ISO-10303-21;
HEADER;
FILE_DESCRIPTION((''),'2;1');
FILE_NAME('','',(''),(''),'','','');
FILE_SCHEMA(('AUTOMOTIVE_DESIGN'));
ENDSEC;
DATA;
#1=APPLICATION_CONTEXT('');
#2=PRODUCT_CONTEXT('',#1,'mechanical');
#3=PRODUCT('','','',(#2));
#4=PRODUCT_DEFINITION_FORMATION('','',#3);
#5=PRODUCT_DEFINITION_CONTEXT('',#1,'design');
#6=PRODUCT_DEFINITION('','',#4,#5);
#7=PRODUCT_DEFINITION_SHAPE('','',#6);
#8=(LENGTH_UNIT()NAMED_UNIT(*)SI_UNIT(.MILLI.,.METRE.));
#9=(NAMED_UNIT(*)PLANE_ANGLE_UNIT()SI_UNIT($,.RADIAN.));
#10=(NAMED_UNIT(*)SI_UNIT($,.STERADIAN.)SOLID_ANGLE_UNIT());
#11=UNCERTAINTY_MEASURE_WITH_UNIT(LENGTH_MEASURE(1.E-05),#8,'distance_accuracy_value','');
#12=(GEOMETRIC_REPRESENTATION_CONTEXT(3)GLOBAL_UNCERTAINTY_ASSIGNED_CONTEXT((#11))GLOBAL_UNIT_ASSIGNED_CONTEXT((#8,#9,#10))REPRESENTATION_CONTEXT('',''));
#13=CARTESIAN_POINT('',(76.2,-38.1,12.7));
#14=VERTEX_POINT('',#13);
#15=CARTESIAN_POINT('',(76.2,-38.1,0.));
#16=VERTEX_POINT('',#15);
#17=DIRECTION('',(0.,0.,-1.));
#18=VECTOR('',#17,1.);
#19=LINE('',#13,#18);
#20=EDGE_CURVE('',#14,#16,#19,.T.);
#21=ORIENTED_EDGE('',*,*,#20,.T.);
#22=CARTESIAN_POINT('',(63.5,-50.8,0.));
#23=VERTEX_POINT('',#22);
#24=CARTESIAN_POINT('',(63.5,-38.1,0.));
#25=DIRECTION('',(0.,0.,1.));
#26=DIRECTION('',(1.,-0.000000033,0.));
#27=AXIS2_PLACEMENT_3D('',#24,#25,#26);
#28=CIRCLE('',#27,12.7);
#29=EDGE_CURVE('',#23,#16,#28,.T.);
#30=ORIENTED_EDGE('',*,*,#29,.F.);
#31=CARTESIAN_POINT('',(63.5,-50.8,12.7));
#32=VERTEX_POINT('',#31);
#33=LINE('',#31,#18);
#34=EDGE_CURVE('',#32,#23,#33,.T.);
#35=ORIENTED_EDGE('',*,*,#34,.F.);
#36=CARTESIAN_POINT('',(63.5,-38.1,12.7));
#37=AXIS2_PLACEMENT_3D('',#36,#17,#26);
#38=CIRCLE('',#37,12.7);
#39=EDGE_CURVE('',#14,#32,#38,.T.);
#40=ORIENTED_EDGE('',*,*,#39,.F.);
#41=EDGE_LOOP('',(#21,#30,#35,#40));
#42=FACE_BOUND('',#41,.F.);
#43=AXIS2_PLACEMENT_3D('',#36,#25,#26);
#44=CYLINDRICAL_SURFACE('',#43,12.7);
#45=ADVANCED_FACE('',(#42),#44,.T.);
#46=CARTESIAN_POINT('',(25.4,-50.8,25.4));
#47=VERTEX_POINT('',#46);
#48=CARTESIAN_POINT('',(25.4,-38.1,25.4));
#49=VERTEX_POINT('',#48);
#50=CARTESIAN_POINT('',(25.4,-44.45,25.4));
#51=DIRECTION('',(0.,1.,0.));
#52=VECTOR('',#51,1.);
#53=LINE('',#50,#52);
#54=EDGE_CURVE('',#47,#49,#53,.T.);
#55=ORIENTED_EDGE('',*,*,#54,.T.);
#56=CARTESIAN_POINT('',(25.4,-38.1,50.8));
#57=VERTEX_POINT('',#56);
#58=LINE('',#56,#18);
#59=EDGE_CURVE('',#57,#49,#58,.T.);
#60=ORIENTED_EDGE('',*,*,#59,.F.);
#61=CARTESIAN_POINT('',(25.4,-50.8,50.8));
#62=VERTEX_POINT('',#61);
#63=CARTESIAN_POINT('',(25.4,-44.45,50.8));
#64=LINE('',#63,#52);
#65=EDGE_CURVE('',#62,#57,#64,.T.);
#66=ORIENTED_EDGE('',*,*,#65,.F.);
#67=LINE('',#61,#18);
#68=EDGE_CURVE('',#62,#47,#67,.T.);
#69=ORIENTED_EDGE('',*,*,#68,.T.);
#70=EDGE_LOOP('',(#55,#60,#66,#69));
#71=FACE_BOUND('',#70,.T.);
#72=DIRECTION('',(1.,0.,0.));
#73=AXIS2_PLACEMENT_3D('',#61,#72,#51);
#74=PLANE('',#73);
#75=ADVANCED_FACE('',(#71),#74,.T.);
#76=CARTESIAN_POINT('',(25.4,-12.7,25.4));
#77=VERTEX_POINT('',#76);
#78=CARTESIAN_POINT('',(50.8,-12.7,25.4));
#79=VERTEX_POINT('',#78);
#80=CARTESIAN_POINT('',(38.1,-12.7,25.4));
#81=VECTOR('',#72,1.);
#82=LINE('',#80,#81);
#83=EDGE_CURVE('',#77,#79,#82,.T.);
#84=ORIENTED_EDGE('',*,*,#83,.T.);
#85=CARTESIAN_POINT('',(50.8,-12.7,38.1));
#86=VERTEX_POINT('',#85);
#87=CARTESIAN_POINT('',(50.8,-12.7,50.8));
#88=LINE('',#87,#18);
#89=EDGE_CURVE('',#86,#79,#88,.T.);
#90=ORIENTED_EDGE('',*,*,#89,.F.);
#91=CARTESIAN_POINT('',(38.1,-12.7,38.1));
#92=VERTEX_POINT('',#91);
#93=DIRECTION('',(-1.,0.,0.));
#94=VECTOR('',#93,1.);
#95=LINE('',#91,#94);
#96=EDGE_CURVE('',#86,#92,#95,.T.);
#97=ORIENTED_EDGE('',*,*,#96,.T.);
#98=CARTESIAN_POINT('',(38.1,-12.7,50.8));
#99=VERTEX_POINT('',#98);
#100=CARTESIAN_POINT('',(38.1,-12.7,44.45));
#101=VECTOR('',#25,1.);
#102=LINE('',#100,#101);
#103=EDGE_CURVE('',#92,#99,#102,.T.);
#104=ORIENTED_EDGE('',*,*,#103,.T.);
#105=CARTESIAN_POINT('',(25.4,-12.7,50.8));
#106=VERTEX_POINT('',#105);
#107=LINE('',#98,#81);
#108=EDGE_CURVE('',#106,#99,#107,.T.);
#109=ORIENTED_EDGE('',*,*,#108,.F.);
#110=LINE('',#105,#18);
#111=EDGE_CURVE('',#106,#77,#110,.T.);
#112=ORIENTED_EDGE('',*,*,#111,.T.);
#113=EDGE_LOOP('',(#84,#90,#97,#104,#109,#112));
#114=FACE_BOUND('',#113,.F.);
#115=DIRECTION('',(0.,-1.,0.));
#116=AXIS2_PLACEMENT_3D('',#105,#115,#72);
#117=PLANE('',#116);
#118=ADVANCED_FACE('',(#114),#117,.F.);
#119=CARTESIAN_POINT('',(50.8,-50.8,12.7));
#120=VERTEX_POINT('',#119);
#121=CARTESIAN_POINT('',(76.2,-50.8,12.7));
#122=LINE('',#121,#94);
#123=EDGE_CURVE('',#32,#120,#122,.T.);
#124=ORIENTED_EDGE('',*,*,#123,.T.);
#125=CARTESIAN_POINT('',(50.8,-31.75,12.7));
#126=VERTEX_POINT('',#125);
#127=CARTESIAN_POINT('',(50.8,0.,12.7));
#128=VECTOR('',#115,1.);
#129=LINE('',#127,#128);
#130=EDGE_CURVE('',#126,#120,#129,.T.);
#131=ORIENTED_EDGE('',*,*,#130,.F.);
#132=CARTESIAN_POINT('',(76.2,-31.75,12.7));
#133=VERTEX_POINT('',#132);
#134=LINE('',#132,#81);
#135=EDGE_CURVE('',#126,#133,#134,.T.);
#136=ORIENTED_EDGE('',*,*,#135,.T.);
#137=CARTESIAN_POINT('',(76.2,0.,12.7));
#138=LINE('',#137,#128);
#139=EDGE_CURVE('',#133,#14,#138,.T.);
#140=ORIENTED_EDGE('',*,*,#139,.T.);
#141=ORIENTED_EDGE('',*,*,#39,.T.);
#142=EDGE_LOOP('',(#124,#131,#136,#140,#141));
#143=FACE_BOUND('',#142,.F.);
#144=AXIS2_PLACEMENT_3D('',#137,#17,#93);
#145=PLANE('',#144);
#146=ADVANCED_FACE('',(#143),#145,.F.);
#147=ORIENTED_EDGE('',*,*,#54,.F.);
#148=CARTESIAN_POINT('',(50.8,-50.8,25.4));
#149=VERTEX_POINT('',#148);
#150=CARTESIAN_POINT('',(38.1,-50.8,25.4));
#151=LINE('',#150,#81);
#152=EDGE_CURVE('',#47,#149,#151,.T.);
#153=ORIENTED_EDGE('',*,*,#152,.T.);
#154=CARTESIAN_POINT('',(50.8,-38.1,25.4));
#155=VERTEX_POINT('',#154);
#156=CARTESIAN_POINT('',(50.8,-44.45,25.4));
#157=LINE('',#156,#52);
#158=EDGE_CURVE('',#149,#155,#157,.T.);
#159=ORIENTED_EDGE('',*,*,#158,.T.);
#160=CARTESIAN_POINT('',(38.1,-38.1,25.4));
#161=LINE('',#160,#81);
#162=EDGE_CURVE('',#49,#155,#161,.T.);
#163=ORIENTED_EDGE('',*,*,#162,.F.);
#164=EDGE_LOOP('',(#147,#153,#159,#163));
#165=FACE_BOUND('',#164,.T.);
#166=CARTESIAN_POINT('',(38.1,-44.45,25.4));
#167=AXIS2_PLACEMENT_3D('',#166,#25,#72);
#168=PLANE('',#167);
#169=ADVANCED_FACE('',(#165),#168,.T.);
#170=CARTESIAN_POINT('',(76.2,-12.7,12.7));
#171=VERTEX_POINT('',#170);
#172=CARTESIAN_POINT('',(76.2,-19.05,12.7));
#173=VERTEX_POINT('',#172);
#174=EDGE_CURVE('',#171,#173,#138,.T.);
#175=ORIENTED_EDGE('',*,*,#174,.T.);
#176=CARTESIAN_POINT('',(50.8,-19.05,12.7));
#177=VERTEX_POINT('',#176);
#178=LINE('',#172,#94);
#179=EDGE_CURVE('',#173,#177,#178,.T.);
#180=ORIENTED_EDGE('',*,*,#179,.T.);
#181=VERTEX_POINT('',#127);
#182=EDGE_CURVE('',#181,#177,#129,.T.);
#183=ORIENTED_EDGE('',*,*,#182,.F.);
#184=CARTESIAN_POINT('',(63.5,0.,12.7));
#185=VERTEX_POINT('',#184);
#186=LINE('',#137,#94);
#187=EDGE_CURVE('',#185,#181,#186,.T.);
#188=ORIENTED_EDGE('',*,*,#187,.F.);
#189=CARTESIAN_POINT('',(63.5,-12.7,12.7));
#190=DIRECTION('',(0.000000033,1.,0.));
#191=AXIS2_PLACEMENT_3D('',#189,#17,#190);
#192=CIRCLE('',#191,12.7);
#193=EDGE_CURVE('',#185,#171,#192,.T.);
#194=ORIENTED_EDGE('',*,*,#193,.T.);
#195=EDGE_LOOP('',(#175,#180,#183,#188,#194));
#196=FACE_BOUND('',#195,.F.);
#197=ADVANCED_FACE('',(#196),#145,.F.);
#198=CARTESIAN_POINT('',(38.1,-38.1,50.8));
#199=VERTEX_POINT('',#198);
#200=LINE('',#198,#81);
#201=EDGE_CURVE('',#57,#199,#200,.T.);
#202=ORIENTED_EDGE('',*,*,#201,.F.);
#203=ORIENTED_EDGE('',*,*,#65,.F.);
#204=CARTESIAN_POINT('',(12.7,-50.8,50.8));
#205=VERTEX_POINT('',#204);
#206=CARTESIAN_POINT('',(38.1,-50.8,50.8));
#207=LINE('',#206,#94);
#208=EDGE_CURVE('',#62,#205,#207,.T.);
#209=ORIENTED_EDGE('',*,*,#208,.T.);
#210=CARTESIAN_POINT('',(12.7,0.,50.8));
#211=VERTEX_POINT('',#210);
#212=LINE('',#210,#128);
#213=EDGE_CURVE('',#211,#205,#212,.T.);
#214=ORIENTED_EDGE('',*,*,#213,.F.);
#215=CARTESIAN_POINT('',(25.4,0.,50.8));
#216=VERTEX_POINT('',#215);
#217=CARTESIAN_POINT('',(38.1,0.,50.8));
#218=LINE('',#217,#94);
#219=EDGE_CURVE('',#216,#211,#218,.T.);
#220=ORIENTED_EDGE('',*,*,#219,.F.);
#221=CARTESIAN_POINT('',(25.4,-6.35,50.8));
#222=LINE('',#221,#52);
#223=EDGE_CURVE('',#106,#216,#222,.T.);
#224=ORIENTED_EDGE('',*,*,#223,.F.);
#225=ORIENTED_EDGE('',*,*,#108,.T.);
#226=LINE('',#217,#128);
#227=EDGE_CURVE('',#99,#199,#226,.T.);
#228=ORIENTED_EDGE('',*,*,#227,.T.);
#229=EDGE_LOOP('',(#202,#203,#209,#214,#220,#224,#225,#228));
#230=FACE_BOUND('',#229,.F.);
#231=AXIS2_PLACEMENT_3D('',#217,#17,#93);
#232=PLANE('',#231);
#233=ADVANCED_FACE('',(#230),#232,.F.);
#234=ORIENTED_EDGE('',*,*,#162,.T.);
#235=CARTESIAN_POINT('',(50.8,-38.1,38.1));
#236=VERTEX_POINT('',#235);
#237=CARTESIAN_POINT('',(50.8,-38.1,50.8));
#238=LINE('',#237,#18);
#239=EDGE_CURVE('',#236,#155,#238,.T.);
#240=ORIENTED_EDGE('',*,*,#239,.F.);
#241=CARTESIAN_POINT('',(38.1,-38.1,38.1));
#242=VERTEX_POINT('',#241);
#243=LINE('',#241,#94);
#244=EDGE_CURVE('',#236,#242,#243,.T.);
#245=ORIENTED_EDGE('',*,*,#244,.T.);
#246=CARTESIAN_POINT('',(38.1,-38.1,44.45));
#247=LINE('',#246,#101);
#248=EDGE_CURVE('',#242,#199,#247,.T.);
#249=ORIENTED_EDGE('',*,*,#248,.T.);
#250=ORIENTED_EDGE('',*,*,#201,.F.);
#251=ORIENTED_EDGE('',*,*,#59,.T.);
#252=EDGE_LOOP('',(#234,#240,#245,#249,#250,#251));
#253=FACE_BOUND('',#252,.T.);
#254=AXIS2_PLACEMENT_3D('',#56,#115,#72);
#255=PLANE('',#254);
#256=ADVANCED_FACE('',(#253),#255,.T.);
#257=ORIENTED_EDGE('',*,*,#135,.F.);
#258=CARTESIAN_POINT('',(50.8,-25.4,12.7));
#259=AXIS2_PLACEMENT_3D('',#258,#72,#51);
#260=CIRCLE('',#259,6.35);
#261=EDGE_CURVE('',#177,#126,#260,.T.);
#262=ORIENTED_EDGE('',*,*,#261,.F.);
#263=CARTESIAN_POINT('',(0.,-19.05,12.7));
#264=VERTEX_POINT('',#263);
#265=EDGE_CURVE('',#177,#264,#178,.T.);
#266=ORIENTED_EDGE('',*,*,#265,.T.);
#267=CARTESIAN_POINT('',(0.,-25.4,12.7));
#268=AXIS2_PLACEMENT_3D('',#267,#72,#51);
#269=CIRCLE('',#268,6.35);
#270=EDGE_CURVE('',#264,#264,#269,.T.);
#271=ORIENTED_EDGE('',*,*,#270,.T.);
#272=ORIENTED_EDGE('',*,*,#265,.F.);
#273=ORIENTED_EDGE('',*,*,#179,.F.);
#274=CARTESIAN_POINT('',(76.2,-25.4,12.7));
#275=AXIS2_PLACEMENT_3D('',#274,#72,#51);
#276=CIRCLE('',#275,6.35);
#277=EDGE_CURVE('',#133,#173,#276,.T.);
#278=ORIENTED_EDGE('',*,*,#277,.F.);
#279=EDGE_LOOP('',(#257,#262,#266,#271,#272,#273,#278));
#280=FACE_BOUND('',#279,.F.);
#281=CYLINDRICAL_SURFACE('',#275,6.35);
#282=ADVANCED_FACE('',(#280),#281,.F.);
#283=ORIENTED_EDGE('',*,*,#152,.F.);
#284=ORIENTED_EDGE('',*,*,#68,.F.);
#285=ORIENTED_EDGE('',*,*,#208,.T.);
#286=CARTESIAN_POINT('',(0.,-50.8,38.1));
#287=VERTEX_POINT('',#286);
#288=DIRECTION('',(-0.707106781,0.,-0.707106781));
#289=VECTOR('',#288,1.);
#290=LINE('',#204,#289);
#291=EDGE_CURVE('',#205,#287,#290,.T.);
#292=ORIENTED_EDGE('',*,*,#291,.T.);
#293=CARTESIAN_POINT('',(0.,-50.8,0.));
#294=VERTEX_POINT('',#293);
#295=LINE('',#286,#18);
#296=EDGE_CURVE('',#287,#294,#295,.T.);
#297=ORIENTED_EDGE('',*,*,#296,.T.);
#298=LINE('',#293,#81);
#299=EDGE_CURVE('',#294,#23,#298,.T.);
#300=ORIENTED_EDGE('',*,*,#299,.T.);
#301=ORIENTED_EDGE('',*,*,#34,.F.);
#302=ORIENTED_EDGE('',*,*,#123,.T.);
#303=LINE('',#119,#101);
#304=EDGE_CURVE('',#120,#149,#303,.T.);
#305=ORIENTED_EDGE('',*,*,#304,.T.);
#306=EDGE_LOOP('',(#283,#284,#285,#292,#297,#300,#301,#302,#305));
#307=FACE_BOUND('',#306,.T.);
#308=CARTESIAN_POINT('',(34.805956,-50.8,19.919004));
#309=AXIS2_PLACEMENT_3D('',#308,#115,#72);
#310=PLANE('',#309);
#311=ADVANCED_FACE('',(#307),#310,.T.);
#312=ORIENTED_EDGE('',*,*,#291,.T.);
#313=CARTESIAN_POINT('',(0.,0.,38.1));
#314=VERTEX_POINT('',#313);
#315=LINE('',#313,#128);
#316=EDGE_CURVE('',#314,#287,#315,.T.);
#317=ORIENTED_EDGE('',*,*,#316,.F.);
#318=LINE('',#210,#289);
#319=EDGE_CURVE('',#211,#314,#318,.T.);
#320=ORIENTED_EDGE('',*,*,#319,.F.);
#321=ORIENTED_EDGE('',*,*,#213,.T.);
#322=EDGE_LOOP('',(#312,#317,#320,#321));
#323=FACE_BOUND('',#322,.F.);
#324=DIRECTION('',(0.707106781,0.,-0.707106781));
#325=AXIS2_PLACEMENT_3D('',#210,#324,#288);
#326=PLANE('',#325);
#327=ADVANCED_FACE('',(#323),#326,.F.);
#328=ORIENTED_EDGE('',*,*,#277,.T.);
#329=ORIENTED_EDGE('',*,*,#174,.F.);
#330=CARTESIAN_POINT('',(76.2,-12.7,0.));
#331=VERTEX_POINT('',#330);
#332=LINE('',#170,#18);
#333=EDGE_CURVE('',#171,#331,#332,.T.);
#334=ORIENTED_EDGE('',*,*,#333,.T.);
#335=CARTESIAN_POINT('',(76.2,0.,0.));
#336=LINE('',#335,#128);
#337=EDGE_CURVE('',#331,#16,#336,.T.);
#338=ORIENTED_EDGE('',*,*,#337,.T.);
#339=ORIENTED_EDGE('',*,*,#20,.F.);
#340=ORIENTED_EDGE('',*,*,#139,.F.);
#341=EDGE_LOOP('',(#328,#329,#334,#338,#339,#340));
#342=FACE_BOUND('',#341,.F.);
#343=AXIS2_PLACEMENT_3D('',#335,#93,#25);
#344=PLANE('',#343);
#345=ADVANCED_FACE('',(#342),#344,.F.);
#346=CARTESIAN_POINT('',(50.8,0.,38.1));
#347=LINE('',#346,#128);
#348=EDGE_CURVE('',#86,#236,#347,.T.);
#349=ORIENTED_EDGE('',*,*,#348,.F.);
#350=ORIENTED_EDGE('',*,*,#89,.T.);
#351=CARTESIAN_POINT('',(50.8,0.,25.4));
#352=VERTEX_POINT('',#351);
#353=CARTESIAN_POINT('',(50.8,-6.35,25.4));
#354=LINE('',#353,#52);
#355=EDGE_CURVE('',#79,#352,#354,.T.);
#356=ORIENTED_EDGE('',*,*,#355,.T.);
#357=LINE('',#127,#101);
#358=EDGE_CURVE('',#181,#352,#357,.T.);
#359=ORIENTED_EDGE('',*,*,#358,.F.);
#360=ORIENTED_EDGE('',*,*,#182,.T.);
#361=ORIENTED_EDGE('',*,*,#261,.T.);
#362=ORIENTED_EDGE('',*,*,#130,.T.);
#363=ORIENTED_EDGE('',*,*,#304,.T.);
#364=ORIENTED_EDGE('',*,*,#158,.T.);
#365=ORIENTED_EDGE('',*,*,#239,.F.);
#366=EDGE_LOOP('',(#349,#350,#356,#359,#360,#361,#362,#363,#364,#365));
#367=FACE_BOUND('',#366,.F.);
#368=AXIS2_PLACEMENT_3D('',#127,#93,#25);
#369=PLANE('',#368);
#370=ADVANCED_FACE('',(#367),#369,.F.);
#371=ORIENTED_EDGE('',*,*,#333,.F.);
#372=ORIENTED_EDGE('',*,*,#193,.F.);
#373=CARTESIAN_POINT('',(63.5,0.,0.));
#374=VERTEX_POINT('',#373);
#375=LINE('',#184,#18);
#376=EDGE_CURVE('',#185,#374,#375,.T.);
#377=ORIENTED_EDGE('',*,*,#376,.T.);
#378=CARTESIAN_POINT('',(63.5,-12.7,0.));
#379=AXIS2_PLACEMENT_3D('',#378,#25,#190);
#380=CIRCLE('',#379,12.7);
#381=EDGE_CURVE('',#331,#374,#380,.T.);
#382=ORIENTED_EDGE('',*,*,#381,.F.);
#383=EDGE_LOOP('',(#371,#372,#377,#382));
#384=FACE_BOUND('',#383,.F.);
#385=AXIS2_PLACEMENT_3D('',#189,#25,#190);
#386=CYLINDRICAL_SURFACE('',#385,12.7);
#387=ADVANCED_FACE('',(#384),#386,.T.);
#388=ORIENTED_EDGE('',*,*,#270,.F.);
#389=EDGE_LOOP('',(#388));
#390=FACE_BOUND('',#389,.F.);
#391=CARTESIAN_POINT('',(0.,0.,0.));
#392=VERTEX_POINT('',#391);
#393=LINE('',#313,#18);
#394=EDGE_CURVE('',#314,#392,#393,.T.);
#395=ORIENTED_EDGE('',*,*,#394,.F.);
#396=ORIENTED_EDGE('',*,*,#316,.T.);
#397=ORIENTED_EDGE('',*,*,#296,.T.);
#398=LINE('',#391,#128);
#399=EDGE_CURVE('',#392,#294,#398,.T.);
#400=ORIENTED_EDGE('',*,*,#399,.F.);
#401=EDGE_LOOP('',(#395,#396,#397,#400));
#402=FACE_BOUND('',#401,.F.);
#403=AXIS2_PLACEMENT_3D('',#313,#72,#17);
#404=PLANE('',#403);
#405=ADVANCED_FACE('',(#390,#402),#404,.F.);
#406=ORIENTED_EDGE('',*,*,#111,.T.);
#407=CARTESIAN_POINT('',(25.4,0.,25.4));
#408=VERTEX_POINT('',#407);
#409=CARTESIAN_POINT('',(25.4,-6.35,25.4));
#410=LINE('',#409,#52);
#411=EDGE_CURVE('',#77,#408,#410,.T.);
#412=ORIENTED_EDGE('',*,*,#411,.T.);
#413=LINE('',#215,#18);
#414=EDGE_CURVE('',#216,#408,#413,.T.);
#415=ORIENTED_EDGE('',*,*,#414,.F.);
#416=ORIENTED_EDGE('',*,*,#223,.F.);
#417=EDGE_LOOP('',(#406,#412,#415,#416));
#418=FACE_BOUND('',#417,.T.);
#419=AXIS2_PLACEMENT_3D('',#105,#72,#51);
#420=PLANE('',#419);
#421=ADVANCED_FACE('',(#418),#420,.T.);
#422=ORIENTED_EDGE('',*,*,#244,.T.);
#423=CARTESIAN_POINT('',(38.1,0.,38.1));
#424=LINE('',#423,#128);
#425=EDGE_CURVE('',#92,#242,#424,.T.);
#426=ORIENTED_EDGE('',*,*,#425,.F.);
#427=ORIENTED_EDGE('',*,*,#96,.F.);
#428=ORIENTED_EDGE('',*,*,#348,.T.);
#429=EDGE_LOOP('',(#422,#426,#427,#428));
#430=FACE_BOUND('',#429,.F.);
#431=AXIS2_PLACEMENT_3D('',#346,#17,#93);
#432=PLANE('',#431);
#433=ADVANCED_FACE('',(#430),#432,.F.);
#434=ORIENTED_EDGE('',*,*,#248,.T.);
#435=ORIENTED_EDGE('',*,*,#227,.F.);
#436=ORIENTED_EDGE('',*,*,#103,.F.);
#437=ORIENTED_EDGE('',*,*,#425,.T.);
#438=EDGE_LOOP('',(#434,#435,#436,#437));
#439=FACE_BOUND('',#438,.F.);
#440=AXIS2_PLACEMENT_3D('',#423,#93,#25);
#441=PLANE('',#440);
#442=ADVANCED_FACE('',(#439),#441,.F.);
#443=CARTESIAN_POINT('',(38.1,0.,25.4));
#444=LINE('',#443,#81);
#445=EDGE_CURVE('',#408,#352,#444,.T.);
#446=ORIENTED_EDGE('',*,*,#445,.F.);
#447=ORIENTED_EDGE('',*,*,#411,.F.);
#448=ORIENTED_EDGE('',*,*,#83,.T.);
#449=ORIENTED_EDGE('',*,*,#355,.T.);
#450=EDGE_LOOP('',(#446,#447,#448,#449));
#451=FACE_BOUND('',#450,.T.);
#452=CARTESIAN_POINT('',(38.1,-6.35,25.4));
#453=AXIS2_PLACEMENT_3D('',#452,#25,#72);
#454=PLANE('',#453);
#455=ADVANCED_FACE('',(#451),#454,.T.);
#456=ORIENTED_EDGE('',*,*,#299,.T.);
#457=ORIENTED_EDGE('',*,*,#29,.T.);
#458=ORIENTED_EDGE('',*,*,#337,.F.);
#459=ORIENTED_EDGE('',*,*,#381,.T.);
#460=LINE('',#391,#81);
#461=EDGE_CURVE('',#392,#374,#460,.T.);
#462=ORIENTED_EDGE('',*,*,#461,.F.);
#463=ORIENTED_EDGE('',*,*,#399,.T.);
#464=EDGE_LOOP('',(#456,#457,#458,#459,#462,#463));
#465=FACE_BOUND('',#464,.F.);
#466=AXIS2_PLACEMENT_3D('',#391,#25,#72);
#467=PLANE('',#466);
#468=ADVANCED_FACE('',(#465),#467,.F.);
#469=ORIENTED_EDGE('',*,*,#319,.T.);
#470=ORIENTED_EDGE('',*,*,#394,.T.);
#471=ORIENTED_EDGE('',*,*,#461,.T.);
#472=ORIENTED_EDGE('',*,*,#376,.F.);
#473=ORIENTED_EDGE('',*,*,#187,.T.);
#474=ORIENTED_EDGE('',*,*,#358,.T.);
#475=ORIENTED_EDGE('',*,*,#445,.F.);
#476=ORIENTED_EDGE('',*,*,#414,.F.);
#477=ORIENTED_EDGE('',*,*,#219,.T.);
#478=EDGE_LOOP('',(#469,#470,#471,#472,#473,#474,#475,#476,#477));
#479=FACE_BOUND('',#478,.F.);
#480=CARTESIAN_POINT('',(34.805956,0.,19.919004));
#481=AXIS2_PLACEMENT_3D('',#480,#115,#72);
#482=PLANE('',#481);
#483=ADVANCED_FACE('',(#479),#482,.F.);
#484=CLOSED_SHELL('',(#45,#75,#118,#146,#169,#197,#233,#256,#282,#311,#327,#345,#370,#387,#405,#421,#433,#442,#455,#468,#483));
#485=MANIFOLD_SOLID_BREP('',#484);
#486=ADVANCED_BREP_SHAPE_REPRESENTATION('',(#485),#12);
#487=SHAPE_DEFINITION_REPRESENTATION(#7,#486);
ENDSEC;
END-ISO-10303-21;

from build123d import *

# Parameters (mm, degrees)
F1_DEPTH = 50.8
F2_W     = 25.4
F2_H     = 12.7
F3_DEPTH = 25.4
F5_DEPTH = 12.701
F6_R     = 6.35
F7_DEPTH = 76.201


with BuildPart() as f1:
    # F0 (on Front) → F1 (new body)
    with BuildSketch(Plane.XZ):
        Polygon((0, 38.1), (0, 0), (76.2, 0), (76.2, 12.7), (50.8, 12.7), (50.8, 38.1), (38.1, 38.1), (38.1, 50.8), (12.7, 50.8), align=None)
    extrude(amount=F1_DEPTH)

    # F2 (on face) → F3 (cut)
    with BuildSketch(Plane.XY.offset(50.8)):
        with Locations((38.1, -44.45)):
            Rectangle(F2_W, F2_H)
        with Locations((38.1, -6.35)):
            Rectangle(F2_W, F2_H)
    extrude(amount=-F3_DEPTH, mode=Mode.SUBTRACT)

    # F4 (on face) → F5 (cut, through all)
    with BuildSketch(Plane.XY.offset(12.7)):
        with BuildLine():
            ThreePointArc((63.5, 0), (72.480256, -3.719744), (76.2, -12.7))
            Line((76.2, -12.7), (76.2, 0))
            Line((76.2, 0), (63.5, 0))
        make_face()
        with BuildLine():
            ThreePointArc((76.2, -38.1), (72.480256, -47.080256), (63.5, -50.8))
            Line((63.5, -50.8), (76.2, -50.8))
            Line((76.2, -50.8), (76.2, -38.1))
        make_face()
    extrude(amount=-F5_DEPTH, mode=Mode.SUBTRACT)

    # F6 (on face) → F7 (cut, through all)
    with BuildSketch(Plane.YZ.offset(76.2)):
        with Locations((-25.4, 12.7)):
            Circle(F6_R)
    extrude(amount=-F7_DEPTH, mode=Mode.SUBTRACT)


solid = f1.part
